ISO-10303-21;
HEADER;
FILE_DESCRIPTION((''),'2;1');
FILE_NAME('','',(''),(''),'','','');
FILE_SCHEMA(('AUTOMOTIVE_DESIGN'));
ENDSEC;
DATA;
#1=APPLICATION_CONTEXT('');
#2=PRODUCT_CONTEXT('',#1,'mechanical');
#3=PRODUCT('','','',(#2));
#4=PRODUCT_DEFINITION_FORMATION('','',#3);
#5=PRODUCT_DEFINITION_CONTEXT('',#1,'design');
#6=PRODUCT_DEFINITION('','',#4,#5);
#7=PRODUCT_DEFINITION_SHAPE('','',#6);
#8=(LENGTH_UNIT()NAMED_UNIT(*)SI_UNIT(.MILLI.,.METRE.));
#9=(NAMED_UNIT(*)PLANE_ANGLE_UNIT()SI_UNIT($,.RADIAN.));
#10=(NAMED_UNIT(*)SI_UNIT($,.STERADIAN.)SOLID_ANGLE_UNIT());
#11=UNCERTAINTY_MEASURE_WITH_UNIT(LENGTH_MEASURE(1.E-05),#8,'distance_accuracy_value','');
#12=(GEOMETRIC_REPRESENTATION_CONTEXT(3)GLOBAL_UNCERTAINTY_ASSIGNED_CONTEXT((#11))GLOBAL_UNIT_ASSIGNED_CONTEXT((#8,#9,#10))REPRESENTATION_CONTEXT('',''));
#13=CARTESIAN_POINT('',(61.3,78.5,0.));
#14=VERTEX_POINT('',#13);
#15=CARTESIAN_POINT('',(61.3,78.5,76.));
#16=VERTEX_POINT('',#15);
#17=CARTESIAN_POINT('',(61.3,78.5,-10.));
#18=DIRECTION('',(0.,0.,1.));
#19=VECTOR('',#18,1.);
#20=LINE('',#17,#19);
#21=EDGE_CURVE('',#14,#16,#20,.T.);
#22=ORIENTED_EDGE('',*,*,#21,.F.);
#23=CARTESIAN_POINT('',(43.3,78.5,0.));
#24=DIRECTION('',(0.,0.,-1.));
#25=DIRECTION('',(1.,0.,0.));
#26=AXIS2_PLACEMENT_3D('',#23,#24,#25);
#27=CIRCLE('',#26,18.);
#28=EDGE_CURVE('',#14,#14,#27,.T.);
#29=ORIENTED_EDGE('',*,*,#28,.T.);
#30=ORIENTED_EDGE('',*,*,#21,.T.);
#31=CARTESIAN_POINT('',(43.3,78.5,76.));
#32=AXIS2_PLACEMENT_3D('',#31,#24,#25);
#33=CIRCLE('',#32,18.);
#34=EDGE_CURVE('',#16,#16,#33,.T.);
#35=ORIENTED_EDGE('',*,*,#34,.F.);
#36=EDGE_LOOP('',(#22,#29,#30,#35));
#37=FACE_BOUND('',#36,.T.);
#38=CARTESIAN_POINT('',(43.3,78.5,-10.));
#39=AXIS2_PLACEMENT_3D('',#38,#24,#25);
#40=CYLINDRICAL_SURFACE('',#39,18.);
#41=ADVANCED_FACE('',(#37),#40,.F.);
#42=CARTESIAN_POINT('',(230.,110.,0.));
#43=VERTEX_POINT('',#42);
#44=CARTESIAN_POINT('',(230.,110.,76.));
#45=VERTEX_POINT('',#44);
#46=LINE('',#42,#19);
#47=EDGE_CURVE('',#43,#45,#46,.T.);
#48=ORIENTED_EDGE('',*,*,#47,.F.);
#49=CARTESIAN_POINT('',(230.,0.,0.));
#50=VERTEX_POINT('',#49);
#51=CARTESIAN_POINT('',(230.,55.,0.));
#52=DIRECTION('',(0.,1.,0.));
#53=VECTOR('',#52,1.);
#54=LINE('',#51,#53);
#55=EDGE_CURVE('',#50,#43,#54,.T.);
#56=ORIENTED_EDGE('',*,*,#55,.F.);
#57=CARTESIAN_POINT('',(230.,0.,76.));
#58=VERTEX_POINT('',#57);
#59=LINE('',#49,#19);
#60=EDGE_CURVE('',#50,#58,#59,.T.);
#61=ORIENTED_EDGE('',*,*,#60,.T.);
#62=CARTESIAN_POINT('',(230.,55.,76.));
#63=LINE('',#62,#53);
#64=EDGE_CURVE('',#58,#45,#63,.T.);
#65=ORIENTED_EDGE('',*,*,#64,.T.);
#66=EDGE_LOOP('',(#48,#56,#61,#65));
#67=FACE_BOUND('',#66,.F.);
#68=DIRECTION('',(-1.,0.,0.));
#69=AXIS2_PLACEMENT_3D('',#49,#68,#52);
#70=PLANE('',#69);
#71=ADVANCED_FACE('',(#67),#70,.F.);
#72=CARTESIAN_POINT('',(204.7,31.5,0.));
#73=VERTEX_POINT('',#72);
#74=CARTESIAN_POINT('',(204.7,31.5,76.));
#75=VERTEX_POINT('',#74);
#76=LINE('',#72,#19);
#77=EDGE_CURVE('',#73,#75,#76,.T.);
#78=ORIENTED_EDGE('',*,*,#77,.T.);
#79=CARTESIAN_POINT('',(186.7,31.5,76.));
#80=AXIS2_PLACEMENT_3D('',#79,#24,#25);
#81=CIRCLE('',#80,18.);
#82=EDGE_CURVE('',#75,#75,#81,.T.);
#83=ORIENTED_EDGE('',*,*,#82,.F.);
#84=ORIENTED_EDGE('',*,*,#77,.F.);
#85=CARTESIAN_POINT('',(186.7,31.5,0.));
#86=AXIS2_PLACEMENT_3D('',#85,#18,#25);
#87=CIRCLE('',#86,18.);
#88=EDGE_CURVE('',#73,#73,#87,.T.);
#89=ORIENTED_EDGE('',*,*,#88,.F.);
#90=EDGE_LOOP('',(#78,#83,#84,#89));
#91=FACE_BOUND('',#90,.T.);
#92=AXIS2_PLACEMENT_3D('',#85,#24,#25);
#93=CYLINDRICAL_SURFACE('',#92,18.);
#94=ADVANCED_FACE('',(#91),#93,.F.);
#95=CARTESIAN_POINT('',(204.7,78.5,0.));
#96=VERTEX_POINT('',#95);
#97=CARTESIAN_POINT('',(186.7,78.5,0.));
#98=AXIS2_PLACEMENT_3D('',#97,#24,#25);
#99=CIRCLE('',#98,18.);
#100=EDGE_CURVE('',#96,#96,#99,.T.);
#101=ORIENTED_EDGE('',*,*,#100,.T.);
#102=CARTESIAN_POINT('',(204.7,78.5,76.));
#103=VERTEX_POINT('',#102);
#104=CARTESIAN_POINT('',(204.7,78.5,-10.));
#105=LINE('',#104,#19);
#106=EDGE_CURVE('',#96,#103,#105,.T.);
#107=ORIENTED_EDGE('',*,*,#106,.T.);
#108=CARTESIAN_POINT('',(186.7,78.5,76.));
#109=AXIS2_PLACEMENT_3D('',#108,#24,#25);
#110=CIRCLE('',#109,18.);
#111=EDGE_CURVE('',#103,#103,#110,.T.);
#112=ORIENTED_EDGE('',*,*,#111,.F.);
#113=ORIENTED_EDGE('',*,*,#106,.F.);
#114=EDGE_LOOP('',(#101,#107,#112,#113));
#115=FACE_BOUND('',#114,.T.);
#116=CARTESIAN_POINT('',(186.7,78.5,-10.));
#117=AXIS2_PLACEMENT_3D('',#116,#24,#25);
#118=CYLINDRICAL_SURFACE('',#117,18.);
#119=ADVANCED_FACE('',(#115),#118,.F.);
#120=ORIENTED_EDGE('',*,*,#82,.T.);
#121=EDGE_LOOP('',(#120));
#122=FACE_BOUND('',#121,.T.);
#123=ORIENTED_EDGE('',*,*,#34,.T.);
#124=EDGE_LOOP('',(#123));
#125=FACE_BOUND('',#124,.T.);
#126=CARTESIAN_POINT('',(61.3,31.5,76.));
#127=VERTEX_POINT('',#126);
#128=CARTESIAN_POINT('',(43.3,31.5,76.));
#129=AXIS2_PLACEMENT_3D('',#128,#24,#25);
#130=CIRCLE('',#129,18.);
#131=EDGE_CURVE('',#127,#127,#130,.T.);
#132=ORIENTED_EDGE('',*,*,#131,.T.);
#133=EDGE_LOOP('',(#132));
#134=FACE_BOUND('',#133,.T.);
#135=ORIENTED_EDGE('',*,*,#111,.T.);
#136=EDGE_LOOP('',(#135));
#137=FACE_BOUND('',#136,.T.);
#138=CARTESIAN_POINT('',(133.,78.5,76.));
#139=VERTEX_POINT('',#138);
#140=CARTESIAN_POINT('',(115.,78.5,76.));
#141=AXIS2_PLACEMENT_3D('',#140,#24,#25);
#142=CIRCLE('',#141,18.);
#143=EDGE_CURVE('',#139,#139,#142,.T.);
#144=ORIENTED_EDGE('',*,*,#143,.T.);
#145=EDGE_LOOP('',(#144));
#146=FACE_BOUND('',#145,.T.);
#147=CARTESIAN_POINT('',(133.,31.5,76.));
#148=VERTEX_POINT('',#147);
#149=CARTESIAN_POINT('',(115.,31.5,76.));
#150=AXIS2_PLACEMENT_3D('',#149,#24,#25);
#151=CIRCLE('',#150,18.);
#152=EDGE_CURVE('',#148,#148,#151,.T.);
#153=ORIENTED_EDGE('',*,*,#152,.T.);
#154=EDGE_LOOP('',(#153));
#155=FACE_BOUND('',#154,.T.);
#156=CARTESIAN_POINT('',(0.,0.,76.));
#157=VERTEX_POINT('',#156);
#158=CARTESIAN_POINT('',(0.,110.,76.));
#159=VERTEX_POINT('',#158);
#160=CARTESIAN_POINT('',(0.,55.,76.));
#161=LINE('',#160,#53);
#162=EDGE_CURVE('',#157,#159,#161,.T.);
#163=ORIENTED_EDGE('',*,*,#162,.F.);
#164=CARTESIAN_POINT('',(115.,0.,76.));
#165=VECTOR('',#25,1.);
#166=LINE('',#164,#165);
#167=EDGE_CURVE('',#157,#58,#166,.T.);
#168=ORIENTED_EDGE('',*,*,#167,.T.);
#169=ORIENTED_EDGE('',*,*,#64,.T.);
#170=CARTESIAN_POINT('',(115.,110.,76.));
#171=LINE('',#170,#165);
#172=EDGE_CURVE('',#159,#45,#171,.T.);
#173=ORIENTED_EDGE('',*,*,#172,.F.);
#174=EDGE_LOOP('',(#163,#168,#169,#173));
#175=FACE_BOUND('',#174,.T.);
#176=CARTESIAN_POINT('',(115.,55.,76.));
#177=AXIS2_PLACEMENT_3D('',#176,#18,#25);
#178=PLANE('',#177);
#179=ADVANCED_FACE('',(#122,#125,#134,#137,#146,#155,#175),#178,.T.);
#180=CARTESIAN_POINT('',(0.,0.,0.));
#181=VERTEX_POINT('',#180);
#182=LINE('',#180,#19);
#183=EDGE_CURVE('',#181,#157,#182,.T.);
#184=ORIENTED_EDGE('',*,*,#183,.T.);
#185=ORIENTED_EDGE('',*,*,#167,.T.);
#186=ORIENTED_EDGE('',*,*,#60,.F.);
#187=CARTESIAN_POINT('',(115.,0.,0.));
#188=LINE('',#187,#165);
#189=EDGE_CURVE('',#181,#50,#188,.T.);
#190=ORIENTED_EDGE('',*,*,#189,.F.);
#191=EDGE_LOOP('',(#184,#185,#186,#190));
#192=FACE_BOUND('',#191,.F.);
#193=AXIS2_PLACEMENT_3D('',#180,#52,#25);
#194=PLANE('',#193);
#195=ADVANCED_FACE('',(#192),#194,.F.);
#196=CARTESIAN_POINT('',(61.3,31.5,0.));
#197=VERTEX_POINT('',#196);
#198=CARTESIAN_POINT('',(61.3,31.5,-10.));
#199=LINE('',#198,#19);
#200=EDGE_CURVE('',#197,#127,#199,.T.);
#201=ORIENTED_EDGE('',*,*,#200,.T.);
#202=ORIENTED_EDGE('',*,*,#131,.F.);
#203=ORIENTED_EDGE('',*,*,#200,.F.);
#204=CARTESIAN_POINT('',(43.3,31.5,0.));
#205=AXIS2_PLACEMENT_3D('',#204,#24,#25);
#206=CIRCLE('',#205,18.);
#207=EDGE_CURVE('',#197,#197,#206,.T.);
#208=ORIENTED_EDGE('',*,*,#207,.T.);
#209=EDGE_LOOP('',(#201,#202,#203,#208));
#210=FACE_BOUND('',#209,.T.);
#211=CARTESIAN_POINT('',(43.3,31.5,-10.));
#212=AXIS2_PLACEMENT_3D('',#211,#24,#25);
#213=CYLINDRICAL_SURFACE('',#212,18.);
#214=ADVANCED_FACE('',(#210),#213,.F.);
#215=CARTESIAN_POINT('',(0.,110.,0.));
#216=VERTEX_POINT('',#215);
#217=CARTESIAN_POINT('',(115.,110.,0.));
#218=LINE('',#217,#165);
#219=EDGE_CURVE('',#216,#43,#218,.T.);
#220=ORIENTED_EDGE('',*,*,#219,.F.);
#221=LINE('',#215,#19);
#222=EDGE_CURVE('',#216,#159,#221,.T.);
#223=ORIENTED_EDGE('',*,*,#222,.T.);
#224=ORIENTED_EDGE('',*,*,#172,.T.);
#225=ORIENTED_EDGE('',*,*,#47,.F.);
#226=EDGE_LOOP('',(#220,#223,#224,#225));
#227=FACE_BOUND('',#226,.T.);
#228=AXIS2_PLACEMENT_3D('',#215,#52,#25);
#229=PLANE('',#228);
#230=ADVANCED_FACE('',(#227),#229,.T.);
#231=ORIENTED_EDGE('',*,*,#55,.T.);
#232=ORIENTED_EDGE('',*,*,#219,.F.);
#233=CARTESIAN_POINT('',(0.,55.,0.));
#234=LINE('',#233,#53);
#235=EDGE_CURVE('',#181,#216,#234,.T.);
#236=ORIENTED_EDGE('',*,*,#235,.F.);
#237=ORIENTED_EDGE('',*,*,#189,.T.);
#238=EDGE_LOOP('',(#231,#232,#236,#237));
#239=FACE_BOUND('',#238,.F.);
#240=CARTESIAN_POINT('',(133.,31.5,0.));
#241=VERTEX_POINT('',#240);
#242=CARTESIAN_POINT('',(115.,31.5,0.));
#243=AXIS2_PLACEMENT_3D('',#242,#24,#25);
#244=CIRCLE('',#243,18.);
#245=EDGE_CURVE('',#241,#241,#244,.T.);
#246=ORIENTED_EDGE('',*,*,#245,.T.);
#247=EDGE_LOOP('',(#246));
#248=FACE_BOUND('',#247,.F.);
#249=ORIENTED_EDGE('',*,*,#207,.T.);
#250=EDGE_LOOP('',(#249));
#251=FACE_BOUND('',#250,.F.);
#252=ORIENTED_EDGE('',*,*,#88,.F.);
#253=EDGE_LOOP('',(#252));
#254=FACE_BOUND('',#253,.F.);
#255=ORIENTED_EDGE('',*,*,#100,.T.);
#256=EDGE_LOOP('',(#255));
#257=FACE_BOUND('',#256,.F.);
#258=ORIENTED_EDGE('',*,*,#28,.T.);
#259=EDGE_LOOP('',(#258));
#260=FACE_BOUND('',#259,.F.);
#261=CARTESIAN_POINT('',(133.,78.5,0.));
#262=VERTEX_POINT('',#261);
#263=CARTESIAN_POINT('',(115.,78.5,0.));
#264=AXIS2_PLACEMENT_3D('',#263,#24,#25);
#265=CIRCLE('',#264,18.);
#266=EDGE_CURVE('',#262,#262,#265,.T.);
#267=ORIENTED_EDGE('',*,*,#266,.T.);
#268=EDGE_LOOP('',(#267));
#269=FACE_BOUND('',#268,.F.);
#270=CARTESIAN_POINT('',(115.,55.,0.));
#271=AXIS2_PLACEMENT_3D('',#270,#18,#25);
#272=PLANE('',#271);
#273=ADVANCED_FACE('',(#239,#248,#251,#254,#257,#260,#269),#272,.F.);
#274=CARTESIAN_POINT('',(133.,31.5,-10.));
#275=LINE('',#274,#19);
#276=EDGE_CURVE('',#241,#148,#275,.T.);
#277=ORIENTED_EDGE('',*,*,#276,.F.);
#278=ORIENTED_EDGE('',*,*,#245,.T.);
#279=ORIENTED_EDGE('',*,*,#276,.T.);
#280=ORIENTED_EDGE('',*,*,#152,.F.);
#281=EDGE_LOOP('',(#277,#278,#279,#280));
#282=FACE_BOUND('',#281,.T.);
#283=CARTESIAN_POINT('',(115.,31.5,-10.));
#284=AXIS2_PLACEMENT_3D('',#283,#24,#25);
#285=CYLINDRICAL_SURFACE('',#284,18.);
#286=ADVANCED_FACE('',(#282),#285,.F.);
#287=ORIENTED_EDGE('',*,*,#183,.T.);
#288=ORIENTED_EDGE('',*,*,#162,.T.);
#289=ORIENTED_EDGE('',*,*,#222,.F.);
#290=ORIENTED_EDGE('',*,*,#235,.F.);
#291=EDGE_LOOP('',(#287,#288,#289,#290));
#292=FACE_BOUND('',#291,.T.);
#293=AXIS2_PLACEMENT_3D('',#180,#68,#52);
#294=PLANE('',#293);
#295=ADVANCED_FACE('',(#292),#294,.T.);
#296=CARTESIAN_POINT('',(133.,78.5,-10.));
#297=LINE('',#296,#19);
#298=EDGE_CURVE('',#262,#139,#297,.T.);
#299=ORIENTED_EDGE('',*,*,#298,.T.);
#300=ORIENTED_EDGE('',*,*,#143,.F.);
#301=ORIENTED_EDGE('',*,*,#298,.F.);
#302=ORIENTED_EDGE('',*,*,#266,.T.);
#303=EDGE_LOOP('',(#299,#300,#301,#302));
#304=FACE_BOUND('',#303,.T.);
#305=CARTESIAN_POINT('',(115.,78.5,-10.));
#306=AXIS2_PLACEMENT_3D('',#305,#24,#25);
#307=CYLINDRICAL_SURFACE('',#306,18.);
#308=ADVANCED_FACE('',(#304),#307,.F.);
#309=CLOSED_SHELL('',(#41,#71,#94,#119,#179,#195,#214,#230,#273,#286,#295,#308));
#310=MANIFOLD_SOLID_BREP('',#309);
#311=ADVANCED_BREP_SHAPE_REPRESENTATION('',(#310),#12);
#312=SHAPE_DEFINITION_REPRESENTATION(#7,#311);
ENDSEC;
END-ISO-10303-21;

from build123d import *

# Parameters (mm, degrees)
CYLINDER001_R     = 18
CYLINDER001_DEPTH = 100
CYLINDER002_R     = 18
CYLINDER002_DEPTH = 100
CYLINDER003_R     = 18
CYLINDER003_DEPTH = 100
CYLINDER004_R     = 18
CYLINDER004_DEPTH = 100
CYLINDER005_R     = 18
CYLINDER005_DEPTH = 100
CYLINDER_R        = 18
CYLINDER_DEPTH    = 100
BOX_W             = 230
BOX_H             = 110
BOX_DEPTH         = 76


with BuildPart() as cylinder001:
    # Cylinder001 → Cylinder001 (new body)
    with BuildSketch(Plane(origin=(43.3, 78.5, -10), x_dir=(1, 0, 0), z_dir=(0, 0, 1))):
        Circle(CYLINDER001_R)
    extrude(amount=CYLINDER001_DEPTH)


with BuildPart() as cylinder002:
    # Cylinder002 → Cylinder002 (new body)
    with BuildSketch(Plane(origin=(115, 31.5, -10), x_dir=(1, 0, 0), z_dir=(0, 0, 1))):
        Circle(CYLINDER002_R)
    extrude(amount=CYLINDER002_DEPTH)


with BuildPart() as cylinder003:
    # Cylinder003 → Cylinder003 (new body)
    with BuildSketch(Plane(origin=(115, 78.5, -10), x_dir=(1, 0, 0), z_dir=(0, 0, 1))):
        Circle(CYLINDER003_R)
    extrude(amount=CYLINDER003_DEPTH)


with BuildPart() as cylinder004:
    # Cylinder004 → Cylinder004 (new body)
    with BuildSketch(Plane(origin=(186.7, 31.5, 0), x_dir=(1, 0, 0), z_dir=(0, 0, 1))):
        Circle(CYLINDER004_R)
    extrude(amount=CYLINDER004_DEPTH)


with BuildPart() as cylinder005:
    # Cylinder005 → Cylinder005 (new body)
    with BuildSketch(Plane(origin=(186.7, 78.5, -10), x_dir=(1, 0, 0), z_dir=(0, 0, 1))):
        Circle(CYLINDER005_R)
    extrude(amount=CYLINDER005_DEPTH)


with BuildPart() as fusion:
    # Cylinder → Cylinder (new body)
    with BuildSketch(Plane(origin=(43.3, 31.5, -10), x_dir=(1, 0, 0), z_dir=(0, 0, 1))):
        Circle(CYLINDER_R)
    extrude(amount=CYLINDER_DEPTH)

    # Fusion: union Cylinder001, Cylinder002, Cylinder003, Cylinder004, Cylinder005
    add(cylinder001.part)
    add(cylinder002.part)
    add(cylinder003.part)
    add(cylinder004.part)
    add(cylinder005.part)


with BuildPart() as cut:
    # Box → Box (new body)
    with BuildSketch(Plane.XY):
        with Locations((115, 55)):
            Rectangle(BOX_W, BOX_H)
    extrude(amount=BOX_DEPTH)

    # Cut: cut Fusion
    add(fusion.part, mode=Mode.SUBTRACT)


solid = cut.part
